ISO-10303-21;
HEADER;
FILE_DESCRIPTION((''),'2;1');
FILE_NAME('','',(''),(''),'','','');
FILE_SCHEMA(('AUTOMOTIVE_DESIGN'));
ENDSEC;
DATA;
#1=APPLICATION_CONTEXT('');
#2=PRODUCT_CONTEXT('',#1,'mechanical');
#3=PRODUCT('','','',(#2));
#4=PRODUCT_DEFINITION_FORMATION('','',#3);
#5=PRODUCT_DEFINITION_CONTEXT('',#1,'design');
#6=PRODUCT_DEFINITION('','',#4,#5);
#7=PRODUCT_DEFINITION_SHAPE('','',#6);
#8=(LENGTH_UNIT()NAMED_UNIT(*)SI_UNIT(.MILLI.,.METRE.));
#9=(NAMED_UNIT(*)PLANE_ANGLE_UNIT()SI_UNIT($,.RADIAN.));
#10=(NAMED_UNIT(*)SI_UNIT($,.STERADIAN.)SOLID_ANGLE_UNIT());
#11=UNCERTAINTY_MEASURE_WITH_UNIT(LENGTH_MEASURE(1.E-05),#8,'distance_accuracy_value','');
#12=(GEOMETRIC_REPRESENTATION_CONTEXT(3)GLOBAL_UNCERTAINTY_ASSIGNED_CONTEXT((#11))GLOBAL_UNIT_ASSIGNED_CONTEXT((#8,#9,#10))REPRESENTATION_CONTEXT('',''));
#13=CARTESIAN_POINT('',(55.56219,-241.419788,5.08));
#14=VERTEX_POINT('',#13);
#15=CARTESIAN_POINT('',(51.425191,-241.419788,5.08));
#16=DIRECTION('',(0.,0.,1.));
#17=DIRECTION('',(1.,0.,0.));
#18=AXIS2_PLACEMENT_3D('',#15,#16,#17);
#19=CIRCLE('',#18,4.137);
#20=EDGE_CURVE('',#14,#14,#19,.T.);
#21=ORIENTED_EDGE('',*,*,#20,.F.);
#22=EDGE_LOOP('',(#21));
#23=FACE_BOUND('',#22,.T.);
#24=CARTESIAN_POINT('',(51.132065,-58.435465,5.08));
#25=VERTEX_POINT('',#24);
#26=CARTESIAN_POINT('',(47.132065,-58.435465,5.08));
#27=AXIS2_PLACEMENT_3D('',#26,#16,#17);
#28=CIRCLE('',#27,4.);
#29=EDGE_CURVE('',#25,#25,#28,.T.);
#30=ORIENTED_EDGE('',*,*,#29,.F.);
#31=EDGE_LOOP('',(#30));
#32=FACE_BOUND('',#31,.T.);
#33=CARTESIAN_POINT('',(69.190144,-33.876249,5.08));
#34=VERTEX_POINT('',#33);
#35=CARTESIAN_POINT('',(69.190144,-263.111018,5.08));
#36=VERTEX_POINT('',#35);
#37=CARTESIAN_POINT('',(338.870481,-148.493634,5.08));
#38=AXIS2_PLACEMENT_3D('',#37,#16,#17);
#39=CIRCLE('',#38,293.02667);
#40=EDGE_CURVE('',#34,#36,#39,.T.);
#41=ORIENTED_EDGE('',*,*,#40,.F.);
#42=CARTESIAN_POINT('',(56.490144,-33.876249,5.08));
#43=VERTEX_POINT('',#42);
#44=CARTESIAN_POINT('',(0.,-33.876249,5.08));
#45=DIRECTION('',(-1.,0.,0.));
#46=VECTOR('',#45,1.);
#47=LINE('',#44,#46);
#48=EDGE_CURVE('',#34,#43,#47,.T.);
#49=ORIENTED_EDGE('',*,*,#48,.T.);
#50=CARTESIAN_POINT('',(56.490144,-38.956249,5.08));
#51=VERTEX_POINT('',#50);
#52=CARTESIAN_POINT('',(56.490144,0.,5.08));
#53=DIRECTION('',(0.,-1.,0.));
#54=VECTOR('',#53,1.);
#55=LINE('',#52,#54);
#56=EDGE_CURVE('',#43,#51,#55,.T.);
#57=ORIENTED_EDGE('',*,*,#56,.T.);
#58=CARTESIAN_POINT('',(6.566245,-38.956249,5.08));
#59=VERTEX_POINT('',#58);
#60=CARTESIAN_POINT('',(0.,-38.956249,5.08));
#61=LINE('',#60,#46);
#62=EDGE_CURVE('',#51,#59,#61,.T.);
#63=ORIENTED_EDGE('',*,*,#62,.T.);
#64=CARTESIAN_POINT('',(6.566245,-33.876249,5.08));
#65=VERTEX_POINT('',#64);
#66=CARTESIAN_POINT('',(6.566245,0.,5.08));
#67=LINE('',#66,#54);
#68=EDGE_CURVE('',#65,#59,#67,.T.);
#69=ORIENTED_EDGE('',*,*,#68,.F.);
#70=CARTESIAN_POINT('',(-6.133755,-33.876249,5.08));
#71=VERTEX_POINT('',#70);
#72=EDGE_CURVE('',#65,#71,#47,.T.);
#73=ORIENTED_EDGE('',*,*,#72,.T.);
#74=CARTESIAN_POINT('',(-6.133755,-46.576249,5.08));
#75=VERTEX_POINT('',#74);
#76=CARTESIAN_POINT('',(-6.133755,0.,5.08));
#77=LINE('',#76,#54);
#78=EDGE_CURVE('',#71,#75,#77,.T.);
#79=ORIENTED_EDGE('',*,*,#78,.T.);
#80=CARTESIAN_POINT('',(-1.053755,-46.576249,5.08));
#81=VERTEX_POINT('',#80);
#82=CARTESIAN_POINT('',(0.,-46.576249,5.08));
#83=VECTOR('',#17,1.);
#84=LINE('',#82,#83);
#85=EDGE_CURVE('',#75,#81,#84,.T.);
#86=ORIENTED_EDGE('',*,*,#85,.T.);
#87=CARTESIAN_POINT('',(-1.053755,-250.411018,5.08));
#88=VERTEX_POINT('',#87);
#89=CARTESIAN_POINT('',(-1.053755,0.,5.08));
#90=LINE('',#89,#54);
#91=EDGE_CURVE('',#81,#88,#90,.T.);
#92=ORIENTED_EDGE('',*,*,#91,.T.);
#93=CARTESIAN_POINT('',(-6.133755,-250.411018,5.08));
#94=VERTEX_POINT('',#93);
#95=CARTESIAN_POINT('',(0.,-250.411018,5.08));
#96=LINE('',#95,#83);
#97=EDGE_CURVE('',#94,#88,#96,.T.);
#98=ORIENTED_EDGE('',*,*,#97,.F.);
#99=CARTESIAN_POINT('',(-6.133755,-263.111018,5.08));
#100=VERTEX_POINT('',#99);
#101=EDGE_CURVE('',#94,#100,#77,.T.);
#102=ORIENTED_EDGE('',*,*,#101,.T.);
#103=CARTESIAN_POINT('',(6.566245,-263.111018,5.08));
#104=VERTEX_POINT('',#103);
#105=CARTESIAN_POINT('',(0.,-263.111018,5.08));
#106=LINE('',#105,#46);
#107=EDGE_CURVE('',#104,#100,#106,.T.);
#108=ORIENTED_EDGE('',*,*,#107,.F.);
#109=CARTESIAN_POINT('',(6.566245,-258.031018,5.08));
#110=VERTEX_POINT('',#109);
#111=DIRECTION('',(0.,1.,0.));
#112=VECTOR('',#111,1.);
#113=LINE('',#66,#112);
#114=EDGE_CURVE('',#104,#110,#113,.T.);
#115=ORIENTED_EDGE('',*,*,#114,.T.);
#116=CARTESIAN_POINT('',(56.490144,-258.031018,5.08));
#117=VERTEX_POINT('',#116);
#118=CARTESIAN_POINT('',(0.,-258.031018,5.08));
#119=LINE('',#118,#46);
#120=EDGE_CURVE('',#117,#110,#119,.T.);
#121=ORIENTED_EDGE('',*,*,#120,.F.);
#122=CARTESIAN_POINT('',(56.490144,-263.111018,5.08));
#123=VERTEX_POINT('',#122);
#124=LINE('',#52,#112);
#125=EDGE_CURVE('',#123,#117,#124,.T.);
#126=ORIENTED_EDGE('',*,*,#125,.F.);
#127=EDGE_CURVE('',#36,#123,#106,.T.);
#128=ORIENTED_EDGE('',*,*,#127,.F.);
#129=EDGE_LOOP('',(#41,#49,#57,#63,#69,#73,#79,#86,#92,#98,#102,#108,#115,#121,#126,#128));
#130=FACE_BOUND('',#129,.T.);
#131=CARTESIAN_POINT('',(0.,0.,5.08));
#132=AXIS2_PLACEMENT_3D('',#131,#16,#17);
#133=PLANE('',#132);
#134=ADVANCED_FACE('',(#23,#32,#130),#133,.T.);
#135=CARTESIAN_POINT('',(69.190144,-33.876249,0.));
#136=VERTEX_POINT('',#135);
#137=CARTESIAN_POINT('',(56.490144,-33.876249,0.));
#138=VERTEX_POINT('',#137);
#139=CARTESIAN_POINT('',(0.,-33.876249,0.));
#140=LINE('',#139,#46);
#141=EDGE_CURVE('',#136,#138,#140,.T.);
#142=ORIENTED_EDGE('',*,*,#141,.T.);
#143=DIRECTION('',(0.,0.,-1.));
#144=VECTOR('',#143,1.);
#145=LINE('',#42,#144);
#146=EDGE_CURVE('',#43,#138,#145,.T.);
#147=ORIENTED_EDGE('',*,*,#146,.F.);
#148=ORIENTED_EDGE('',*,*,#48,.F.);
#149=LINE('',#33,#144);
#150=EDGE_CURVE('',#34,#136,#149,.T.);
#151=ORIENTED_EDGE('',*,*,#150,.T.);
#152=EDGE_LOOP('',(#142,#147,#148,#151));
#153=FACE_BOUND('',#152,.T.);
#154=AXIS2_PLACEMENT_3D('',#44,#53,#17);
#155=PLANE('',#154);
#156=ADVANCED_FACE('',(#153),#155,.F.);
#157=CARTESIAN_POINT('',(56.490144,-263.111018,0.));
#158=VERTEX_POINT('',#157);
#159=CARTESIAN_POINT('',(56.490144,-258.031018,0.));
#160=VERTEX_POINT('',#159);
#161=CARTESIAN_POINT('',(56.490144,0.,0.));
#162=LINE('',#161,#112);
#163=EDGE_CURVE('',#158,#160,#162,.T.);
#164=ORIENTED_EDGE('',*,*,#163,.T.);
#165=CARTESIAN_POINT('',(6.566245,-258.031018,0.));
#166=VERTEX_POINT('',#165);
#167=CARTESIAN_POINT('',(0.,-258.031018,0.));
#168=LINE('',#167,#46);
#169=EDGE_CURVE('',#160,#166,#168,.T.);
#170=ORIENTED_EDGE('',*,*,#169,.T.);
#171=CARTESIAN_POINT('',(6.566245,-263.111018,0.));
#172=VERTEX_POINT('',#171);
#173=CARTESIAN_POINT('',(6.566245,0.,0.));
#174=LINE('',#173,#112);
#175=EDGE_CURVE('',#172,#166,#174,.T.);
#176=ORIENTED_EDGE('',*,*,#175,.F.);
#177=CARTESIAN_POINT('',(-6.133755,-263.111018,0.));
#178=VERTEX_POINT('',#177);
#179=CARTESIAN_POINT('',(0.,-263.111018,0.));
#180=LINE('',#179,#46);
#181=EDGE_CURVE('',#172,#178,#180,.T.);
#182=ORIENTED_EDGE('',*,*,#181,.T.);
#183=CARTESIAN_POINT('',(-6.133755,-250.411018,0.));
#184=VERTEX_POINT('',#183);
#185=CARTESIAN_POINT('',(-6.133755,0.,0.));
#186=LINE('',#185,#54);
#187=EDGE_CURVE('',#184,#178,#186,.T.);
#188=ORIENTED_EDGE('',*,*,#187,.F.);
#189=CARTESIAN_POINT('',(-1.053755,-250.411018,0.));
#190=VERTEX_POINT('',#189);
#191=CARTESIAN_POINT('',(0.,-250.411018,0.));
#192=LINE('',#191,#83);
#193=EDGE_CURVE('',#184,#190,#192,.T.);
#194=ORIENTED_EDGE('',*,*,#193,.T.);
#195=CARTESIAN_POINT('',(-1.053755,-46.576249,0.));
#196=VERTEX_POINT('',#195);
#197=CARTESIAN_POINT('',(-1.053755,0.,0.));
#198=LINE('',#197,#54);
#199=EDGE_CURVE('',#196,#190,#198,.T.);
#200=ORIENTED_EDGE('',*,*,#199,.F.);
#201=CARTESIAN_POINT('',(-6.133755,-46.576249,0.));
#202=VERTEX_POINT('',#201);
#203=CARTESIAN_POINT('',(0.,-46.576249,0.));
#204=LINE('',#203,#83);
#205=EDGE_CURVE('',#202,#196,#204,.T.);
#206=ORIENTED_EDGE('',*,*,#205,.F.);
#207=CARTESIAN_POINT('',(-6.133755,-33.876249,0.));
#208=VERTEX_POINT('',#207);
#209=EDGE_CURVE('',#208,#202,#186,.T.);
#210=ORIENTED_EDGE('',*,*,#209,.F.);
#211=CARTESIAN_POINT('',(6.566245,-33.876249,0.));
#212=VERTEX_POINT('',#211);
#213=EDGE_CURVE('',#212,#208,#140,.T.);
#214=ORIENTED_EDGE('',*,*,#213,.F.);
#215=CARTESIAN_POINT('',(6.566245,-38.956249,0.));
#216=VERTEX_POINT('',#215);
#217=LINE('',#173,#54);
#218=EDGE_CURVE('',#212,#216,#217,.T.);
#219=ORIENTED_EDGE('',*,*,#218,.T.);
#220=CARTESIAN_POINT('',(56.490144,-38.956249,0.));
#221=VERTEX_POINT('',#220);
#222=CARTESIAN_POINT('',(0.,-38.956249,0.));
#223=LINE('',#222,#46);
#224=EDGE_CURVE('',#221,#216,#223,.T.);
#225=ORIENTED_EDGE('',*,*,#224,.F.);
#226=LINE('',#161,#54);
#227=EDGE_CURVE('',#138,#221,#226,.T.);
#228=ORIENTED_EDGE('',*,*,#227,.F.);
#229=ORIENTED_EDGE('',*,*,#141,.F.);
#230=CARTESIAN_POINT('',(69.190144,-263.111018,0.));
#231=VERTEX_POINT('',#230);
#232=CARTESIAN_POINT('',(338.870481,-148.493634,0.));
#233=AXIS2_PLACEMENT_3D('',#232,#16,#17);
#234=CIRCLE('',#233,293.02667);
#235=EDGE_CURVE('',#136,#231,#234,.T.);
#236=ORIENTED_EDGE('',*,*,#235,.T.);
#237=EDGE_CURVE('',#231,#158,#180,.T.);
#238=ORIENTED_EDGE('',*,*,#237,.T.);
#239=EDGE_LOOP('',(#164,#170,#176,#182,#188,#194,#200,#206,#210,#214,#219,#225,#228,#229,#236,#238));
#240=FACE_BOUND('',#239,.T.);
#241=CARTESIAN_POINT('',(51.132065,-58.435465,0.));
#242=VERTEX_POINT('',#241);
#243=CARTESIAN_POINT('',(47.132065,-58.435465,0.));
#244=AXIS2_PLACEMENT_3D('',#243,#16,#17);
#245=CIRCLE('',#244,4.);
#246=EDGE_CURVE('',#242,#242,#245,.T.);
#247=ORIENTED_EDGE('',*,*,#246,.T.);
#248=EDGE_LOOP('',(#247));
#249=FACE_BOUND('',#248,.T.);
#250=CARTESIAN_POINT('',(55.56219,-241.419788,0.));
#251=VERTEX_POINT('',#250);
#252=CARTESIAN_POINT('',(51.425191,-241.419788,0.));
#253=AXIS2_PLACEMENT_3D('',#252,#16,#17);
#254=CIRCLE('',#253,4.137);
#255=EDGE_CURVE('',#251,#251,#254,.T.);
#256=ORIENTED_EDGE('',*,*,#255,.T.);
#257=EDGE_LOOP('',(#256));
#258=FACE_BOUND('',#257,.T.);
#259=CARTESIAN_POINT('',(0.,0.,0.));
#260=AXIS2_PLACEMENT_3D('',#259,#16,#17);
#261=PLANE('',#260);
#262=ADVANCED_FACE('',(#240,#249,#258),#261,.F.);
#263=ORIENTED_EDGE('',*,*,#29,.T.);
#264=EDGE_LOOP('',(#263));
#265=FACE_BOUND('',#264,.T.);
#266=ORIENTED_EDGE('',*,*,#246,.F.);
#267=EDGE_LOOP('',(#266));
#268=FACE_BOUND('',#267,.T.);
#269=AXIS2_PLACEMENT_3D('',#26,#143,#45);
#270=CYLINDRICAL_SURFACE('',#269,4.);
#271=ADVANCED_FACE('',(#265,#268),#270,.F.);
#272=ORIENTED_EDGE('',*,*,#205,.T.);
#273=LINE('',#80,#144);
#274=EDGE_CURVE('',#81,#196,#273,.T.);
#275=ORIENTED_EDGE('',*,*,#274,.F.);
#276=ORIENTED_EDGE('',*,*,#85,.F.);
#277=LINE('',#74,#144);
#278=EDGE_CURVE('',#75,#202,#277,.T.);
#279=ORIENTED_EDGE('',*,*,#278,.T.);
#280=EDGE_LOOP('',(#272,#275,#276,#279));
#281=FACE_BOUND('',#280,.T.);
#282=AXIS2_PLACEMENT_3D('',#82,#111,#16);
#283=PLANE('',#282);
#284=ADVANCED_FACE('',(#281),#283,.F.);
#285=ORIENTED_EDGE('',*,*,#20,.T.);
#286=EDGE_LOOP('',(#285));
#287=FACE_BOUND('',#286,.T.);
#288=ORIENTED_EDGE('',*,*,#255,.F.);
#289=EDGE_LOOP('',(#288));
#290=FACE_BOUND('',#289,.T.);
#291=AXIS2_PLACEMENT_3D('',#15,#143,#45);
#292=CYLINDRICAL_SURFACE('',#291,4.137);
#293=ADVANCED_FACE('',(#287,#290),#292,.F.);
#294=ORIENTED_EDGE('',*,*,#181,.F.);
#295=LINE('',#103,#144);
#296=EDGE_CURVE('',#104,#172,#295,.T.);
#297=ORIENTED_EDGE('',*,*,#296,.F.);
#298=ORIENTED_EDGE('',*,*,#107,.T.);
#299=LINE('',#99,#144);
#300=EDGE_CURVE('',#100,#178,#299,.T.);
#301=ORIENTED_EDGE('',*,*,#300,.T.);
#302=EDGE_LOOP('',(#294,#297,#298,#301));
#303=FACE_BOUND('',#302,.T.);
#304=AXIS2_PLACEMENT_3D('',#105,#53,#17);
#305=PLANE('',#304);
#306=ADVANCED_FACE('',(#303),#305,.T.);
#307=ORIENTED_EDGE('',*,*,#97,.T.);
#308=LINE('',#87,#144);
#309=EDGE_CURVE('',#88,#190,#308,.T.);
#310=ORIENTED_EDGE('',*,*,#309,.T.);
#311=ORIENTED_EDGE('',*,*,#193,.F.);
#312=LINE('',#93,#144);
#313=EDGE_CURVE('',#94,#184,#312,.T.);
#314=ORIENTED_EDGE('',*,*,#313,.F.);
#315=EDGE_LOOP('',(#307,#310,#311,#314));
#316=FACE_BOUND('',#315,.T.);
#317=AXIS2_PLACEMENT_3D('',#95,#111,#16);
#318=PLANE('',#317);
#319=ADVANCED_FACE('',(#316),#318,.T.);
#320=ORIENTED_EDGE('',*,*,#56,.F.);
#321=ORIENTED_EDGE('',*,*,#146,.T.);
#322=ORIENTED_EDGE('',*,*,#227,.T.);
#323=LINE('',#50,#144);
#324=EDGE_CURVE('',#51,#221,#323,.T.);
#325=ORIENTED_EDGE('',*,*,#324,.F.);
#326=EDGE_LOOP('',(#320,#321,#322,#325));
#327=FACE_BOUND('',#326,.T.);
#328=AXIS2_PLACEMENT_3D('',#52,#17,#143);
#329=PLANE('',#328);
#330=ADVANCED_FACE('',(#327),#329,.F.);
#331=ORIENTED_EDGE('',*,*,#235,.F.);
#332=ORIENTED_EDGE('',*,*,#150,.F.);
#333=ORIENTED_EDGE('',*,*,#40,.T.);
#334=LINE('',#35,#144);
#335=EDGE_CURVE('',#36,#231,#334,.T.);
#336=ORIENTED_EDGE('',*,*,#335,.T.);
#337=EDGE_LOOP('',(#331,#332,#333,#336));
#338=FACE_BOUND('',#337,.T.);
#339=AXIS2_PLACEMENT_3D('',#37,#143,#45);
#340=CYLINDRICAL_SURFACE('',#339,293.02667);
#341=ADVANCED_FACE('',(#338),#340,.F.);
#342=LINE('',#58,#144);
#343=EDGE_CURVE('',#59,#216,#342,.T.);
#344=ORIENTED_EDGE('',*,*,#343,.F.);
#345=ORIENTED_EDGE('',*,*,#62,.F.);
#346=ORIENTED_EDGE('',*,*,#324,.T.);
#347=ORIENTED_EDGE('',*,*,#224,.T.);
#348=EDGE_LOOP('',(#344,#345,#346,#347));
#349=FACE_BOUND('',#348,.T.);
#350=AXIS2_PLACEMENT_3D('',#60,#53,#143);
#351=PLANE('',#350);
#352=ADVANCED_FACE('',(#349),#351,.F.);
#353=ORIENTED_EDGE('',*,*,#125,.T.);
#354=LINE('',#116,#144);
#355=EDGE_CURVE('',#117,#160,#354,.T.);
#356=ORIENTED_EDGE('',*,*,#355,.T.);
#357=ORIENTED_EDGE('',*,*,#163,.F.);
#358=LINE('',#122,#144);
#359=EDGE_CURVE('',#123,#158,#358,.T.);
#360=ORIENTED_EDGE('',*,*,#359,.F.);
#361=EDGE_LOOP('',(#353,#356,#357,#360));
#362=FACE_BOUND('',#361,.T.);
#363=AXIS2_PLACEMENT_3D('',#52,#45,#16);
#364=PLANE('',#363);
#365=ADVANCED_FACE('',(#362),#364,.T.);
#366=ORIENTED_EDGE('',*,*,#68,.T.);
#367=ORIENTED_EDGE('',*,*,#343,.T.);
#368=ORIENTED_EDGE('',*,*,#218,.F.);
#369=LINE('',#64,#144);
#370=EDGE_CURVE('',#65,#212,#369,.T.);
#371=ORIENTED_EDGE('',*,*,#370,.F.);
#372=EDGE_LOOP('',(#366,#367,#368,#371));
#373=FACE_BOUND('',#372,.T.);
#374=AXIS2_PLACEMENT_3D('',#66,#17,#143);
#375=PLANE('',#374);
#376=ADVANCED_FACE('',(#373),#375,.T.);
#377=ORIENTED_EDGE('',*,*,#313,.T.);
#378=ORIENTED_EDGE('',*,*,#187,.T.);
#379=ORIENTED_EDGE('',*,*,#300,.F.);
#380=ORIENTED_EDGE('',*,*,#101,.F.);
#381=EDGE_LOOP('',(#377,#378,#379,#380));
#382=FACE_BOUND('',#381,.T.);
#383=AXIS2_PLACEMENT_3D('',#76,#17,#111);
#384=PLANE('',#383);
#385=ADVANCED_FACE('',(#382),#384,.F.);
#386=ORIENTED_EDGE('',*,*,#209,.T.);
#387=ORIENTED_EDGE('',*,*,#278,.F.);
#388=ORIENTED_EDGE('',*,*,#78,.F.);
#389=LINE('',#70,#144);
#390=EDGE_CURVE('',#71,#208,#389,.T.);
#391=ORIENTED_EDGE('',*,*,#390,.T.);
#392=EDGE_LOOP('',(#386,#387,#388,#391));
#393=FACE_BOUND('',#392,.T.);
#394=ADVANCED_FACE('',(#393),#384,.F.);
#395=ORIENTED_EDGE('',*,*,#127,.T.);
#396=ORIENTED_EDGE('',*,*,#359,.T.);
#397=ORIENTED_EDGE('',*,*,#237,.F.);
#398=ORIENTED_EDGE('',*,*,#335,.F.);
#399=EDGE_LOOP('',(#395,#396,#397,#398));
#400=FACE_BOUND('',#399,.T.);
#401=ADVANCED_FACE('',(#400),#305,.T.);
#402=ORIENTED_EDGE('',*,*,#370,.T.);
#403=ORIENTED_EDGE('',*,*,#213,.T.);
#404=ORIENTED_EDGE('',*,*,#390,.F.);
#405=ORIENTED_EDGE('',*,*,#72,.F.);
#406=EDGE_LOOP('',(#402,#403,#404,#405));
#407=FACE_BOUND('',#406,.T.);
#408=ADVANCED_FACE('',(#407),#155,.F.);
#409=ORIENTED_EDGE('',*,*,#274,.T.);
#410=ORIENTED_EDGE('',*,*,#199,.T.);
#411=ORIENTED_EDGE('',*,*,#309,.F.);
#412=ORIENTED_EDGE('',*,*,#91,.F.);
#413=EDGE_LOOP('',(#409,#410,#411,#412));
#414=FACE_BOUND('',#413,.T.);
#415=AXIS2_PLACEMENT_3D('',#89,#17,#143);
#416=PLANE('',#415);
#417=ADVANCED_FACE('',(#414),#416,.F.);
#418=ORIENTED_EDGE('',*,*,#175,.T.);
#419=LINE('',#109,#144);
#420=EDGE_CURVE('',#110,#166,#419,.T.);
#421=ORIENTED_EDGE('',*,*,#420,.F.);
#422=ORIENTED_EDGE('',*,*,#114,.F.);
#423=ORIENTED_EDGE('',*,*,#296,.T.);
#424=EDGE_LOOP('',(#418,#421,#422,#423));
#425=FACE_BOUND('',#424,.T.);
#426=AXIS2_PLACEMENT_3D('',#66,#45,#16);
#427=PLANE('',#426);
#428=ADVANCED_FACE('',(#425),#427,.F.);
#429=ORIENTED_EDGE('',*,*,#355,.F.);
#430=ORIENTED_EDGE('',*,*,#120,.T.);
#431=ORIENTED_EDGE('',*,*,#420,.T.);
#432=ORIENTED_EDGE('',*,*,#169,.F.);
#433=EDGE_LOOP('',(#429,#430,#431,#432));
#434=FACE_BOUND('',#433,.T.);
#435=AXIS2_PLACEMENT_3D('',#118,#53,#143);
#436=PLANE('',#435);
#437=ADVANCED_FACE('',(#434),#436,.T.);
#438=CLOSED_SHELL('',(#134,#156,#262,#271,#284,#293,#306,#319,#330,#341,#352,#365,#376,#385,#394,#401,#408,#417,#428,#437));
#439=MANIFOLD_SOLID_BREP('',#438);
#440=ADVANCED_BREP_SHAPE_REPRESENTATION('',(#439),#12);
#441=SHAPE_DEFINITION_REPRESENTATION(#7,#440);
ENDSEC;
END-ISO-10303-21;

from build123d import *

# Parameters (mm, degrees)
SKETCH1_R           = 4.136999592
SKETCH1_R_2         = 4
BOSS_EXTRUDE1_DEPTH = 5.08


with BuildPart() as part:
    # Sketch1 → Boss-Extrude1 (new body)
    with BuildSketch(Plane.XY):
        with BuildLine():
            Line((-1.053755041, -250.411017633), (-6.133755041, -250.411017633))
            Line((-6.133755041, -250.411017633), (-6.133755041, -263.111017633))
            Line((-6.133755041, -263.111017633), (6.566244959, -263.111017633))
            Line((6.566244959, -263.111017633), (6.566244959, -258.031017633))
            Line((6.566244959, -258.031017633), (56.490143771, -258.031017633))
            Line((56.490143771, -258.031017633), (56.490143771, -263.111017633))
            Line((56.490143771, -263.111017633), (69.190143771, -263.111017633))
            ThreePointArc((69.190143771, -263.111017633), (45.84381153, -148.493633523), (69.190143771, -33.876249413))
            Line((69.190143771, -33.876249413), (56.490143771, -33.876249413))
            Line((56.490143771, -33.876249413), (56.490143771, -38.956249413))
            Line((56.490143771, -38.956249413), (6.566244959, -38.956249413))
            Line((6.566244959, -38.956249413), (6.566244959, -33.876249413))
            Line((6.566244959, -33.876249413), (-6.133755041, -33.876249413))
            Line((-6.133755041, -33.876249413), (-6.133755041, -46.576249413))
            Line((-6.133755041, -46.576249413), (-1.053755041, -46.576249413))
            Line((-1.053755041, -46.576249413), (-1.053755041, -250.411017633))
        make_face()
        with Locations((51.42519067, -241.419788328)):
            Circle(SKETCH1_R, mode=Mode.SUBTRACT)
        with Locations((47.132064803, -58.435465331)):
            Circle(SKETCH1_R_2, mode=Mode.SUBTRACT)
    extrude(amount=BOSS_EXTRUDE1_DEPTH)


solid = part.part
